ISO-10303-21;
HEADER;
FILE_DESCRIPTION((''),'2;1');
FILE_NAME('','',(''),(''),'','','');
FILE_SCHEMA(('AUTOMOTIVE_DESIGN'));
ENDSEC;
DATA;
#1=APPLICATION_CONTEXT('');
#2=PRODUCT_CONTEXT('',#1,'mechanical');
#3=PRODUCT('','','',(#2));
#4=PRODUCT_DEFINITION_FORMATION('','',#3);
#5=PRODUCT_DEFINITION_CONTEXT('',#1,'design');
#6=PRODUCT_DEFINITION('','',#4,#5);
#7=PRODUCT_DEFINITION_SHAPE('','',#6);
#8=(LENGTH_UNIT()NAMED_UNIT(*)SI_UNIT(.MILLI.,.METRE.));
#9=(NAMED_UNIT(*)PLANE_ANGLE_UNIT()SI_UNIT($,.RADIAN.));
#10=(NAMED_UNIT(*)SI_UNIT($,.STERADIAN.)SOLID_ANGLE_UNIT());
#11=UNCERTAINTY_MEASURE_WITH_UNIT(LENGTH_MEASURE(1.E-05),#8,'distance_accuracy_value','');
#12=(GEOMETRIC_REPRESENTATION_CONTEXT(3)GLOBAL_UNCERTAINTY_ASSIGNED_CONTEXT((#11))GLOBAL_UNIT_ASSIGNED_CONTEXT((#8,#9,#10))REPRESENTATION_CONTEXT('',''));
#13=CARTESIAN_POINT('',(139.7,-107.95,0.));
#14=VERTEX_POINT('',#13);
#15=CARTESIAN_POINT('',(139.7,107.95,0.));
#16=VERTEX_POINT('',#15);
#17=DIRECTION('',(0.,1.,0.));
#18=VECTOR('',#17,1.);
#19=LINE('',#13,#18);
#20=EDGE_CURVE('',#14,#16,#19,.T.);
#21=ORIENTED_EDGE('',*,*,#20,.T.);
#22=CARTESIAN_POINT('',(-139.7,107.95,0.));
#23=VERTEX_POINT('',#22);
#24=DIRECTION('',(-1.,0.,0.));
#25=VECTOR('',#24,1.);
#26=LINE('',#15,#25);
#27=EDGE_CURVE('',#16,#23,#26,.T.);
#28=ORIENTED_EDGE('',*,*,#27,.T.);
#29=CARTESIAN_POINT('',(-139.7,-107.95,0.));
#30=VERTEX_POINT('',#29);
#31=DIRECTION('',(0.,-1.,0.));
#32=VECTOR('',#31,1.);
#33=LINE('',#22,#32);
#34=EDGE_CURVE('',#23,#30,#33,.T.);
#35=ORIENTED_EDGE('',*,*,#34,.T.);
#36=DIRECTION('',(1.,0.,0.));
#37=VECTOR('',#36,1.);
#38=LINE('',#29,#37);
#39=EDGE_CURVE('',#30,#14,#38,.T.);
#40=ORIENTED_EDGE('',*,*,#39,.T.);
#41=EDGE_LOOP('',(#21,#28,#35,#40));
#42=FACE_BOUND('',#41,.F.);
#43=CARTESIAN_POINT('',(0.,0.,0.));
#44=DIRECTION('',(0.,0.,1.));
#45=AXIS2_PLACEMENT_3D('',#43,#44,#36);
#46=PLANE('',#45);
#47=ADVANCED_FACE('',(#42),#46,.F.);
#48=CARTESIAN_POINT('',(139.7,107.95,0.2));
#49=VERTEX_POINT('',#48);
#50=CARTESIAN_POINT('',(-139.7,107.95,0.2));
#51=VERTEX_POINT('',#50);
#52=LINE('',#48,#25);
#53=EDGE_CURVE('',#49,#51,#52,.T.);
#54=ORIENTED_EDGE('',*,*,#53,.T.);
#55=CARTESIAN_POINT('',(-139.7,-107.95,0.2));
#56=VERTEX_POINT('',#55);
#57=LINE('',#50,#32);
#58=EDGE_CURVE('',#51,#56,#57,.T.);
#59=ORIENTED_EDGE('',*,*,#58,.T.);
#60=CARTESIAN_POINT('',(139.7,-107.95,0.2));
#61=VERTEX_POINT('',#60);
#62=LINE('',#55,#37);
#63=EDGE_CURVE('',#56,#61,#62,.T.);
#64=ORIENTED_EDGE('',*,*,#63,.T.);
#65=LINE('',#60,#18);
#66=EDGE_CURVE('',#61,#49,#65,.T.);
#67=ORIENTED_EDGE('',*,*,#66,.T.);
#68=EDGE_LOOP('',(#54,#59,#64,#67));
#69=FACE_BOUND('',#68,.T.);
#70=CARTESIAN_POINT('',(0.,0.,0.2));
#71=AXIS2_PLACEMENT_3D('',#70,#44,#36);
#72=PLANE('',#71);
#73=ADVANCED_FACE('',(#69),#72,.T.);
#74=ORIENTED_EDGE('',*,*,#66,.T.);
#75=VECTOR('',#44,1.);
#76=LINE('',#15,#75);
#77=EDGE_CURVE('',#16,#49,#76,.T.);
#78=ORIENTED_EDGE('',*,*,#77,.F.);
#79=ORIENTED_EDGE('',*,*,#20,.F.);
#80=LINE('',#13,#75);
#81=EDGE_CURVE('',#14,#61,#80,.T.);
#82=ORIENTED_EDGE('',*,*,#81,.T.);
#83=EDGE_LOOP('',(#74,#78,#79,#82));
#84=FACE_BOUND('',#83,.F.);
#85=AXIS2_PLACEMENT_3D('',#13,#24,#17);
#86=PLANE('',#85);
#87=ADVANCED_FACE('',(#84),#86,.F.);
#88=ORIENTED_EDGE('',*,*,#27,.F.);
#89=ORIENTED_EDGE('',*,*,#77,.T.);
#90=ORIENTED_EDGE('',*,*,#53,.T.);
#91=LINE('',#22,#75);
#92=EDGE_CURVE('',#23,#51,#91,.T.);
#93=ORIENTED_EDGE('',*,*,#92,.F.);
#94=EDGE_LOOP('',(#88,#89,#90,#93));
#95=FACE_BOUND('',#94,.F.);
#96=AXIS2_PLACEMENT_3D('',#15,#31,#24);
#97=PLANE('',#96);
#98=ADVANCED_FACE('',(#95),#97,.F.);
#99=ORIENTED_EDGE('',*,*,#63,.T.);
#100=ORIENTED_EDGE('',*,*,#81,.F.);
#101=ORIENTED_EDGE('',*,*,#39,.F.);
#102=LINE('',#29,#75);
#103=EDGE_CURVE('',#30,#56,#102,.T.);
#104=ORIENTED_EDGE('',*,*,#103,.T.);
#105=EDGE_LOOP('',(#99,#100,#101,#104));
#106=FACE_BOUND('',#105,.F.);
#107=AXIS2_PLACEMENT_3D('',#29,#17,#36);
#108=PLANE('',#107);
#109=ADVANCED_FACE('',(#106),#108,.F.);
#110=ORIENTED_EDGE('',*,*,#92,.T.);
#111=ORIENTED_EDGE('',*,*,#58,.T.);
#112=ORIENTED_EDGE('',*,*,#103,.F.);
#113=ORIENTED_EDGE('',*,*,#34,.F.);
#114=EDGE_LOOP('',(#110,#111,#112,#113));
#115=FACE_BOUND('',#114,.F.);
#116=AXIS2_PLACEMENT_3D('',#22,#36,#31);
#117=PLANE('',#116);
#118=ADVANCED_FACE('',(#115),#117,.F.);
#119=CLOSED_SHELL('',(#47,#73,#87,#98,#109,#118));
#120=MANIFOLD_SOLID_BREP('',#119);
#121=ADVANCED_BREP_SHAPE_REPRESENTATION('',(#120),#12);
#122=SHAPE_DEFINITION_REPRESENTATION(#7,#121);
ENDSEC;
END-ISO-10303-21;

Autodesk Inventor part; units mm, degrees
ref_plane "YZ Plane" through (0, 0, 0) normal (1, 0, 0) x (0, 1, 0)
ref_plane "XZ Plane" through (0, 0, 0) normal (0, 1, 0) x (-1, 0, 0)
ref_plane "XY Plane" through (0, 0, 0) normal (0, 0, 1) x (1, 0, 0)
sketch "Sketch1" plane through (0, 0, 0) normal (0, 0, 1) x (1, 0, 0)
  line L0 (-139.7, -107.95) -> (139.7, -107.95)
  line L1 (139.7, -107.95) -> (139.7, 107.95)
  line L2 (139.7, 107.95) -> (-139.7, 107.95)
  line L3 (-139.7, 107.95) -> (-139.7, -107.95)
  line L4 (-139.7, -107.95) -> (139.7, 107.95) construction
  line L5 (139.7, -107.95) -> (-139.7, 107.95) construction
  point P0 (0, 0)
  dimension "d0" = 279.4
  dimension "d1" = 215.9
extrude "Extrusion1" add sketch "Sketch1" along normal blind 0.2
properties part number "paper"
